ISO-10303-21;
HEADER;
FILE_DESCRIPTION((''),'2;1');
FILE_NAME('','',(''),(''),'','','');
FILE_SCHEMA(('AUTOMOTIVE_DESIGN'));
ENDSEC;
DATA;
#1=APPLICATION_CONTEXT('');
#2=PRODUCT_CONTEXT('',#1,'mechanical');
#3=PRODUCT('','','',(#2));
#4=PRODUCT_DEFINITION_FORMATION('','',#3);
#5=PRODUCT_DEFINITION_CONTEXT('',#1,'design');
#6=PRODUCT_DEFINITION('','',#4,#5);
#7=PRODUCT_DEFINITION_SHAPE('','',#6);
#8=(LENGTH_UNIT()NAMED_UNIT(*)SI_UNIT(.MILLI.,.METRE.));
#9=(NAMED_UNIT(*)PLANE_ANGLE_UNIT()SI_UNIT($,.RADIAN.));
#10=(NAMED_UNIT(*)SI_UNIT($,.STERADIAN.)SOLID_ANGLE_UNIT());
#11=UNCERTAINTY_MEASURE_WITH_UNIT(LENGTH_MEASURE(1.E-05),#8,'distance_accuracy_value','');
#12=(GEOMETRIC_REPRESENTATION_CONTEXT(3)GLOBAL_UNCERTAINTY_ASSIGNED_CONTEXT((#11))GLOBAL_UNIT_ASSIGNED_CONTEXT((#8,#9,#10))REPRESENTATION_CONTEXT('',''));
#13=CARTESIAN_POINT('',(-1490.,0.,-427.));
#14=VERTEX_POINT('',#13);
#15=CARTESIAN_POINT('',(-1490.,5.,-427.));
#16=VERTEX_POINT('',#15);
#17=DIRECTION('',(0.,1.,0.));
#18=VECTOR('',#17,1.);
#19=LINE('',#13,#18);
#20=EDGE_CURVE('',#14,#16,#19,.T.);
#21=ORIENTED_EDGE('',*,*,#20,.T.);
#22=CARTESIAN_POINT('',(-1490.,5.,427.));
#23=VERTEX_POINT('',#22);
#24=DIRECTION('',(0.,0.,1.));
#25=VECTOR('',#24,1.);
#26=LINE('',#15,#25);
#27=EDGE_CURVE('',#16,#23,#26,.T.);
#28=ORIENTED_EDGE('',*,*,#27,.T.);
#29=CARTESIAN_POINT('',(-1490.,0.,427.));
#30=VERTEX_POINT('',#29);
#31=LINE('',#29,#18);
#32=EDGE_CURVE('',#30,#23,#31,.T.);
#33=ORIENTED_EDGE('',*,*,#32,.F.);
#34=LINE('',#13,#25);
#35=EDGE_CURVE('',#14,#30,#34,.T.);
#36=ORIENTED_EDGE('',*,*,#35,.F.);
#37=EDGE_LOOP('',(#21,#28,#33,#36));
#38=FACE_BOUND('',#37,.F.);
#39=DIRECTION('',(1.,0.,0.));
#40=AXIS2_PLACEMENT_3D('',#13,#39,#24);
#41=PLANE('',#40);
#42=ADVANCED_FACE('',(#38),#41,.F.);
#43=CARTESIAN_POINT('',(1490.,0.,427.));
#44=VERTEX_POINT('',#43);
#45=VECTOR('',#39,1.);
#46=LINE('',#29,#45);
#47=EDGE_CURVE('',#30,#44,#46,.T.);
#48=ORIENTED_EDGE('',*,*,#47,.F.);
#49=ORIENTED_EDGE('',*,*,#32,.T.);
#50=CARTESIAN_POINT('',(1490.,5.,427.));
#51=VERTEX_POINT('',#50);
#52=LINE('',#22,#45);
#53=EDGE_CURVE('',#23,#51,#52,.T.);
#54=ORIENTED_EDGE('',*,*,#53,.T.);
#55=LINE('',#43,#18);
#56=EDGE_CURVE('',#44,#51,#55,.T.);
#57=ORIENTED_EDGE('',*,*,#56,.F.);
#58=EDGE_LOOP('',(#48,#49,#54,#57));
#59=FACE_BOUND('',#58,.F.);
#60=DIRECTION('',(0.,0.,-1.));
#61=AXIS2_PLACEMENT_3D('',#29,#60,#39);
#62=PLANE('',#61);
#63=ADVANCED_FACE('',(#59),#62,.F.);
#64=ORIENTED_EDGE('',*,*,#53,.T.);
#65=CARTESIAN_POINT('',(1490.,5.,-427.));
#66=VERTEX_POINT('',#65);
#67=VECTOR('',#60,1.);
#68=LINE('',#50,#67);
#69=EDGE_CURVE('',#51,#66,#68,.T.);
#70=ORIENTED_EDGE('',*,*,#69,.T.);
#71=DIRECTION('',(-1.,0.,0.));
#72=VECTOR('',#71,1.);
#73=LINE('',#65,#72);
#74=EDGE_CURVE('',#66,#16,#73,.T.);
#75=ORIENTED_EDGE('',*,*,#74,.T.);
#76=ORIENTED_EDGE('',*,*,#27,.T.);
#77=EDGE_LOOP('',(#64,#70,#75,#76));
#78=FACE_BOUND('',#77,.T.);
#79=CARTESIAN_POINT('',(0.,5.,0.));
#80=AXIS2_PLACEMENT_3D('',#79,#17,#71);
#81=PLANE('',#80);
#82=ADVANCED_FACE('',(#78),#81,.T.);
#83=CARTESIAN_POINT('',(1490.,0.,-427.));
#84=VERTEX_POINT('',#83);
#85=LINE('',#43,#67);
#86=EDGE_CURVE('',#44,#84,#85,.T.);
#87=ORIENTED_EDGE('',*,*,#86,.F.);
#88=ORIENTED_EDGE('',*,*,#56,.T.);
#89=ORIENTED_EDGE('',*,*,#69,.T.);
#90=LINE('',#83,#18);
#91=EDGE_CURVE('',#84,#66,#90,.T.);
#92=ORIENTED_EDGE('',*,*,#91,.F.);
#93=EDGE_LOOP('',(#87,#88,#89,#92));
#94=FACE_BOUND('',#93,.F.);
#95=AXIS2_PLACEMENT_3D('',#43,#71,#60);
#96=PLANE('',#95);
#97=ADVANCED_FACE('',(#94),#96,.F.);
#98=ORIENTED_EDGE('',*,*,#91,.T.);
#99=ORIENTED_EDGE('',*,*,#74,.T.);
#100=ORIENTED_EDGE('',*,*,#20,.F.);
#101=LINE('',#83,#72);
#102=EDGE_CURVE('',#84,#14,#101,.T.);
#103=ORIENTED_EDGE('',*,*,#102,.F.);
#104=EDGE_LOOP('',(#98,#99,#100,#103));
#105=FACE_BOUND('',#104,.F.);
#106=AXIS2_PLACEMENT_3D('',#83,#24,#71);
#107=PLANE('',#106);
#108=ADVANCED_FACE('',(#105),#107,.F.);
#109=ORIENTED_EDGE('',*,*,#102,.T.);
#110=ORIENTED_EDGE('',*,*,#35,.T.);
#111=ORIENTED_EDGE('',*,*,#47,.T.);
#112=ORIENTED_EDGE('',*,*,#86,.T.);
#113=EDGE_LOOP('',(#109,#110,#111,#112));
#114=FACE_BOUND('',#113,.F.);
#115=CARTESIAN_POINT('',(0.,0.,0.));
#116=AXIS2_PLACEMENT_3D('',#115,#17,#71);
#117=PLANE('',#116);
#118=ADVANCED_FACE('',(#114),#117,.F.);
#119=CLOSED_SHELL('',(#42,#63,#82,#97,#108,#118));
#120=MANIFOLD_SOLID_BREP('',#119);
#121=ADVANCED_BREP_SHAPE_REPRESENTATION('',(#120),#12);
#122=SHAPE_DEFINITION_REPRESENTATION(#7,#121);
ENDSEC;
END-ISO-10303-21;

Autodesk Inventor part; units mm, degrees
ref_plane "YZ Plane" through (0, 0, 0) normal (1, 0, 0) x (0, 1, 0)
ref_plane "XZ Plane" through (0, 0, 0) normal (0, 1, 0) x (-1, 0, 0)
ref_plane "XY Plane" through (0, 0, 0) normal (0, 0, 1) x (1, 0, 0)
sketch "Эскиз1" plane through (0, 0, 0) normal (0, 1, 0) x (-1, 0, 0)
  line L0 (1490, 427) -> (-1490, 427)
  line L1 (-1490, 427) -> (-1490, -427)
  line L2 (-1490, -427) -> (1490, -427)
  line L3 (1490, -427) -> (1490, 427)
  line L4 (1490, 427) -> (-1490, -427) construction
  line L5 (-1490, 427) -> (1490, -427) construction
  point P0 (0, 0)
  dimension "d0" = 2980
  dimension "d1" = 854
extrude "Пластина1" add sketch "Эскиз1" along normal blind 5
equation "\"d2\" = Толщина"
equation "\"Радиус_гибки\" = Толщина"
equation "\"Ширина_просечки\" = Толщина"
equation "\"Глубина_просечки\" = 0.5 * Толщина"
equation "\"Радиус_перехода\" = Радиус_гибки"
equation "\"Радиус_Якоби\" = Радиус_гибки"
equation "\"Размер_зазора\" = Толщина"
equation "\"Толщина\" = 5"
properties part number "GBK bottom 0112" material "Steel"
